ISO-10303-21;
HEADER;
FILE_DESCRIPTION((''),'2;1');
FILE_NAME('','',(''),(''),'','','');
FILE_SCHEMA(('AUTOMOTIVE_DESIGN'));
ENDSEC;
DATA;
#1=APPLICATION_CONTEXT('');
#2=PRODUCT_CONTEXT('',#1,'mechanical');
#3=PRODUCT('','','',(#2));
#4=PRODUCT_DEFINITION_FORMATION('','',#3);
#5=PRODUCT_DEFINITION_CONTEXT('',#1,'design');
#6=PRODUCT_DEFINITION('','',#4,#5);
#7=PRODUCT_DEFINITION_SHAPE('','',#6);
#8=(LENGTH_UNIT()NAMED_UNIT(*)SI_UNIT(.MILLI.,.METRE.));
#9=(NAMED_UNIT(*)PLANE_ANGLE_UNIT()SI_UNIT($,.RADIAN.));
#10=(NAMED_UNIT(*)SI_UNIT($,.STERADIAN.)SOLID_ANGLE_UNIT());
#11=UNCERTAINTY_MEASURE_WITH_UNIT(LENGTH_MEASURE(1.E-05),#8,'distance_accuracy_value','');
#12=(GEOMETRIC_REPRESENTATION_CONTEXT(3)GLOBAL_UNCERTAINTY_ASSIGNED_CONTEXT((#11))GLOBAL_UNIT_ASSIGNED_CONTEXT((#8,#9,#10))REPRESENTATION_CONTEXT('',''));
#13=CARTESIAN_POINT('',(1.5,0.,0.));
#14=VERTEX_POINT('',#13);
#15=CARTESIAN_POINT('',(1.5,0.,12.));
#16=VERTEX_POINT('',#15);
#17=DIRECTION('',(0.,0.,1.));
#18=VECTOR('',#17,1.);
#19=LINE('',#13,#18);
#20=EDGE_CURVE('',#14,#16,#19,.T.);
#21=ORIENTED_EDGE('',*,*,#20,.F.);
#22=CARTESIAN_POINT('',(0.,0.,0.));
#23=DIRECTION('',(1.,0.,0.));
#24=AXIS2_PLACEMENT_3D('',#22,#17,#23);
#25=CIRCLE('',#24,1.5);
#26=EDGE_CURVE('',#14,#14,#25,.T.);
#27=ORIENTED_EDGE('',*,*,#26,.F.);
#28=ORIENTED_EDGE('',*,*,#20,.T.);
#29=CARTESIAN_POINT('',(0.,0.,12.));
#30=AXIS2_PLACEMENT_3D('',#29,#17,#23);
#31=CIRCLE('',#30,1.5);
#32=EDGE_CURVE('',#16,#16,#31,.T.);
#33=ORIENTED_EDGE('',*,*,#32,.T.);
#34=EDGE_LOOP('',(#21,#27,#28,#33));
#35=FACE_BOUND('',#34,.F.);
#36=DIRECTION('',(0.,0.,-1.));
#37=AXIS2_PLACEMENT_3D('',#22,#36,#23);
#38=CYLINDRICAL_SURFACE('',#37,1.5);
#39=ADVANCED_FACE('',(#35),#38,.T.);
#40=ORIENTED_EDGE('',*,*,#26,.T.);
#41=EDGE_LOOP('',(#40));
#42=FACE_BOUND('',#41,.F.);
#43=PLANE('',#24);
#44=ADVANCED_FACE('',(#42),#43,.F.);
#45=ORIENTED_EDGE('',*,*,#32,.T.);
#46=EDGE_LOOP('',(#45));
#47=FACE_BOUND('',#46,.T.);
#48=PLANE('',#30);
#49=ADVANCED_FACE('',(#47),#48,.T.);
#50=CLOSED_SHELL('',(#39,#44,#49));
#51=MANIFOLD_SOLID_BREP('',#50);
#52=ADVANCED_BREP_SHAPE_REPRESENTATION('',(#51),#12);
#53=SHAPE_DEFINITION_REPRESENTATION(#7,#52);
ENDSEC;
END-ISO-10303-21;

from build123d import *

# Parameters (mm, degrees)
SKETCH1_R           = 1.5
BOSS_EXTRUDE1_DEPTH = 12


with BuildPart() as part:
    # Sketch1 → Boss-Extrude1 (new body)
    with BuildSketch(Plane.XY):
        Circle(SKETCH1_R)
    extrude(amount=BOSS_EXTRUDE1_DEPTH)


solid = part.part
